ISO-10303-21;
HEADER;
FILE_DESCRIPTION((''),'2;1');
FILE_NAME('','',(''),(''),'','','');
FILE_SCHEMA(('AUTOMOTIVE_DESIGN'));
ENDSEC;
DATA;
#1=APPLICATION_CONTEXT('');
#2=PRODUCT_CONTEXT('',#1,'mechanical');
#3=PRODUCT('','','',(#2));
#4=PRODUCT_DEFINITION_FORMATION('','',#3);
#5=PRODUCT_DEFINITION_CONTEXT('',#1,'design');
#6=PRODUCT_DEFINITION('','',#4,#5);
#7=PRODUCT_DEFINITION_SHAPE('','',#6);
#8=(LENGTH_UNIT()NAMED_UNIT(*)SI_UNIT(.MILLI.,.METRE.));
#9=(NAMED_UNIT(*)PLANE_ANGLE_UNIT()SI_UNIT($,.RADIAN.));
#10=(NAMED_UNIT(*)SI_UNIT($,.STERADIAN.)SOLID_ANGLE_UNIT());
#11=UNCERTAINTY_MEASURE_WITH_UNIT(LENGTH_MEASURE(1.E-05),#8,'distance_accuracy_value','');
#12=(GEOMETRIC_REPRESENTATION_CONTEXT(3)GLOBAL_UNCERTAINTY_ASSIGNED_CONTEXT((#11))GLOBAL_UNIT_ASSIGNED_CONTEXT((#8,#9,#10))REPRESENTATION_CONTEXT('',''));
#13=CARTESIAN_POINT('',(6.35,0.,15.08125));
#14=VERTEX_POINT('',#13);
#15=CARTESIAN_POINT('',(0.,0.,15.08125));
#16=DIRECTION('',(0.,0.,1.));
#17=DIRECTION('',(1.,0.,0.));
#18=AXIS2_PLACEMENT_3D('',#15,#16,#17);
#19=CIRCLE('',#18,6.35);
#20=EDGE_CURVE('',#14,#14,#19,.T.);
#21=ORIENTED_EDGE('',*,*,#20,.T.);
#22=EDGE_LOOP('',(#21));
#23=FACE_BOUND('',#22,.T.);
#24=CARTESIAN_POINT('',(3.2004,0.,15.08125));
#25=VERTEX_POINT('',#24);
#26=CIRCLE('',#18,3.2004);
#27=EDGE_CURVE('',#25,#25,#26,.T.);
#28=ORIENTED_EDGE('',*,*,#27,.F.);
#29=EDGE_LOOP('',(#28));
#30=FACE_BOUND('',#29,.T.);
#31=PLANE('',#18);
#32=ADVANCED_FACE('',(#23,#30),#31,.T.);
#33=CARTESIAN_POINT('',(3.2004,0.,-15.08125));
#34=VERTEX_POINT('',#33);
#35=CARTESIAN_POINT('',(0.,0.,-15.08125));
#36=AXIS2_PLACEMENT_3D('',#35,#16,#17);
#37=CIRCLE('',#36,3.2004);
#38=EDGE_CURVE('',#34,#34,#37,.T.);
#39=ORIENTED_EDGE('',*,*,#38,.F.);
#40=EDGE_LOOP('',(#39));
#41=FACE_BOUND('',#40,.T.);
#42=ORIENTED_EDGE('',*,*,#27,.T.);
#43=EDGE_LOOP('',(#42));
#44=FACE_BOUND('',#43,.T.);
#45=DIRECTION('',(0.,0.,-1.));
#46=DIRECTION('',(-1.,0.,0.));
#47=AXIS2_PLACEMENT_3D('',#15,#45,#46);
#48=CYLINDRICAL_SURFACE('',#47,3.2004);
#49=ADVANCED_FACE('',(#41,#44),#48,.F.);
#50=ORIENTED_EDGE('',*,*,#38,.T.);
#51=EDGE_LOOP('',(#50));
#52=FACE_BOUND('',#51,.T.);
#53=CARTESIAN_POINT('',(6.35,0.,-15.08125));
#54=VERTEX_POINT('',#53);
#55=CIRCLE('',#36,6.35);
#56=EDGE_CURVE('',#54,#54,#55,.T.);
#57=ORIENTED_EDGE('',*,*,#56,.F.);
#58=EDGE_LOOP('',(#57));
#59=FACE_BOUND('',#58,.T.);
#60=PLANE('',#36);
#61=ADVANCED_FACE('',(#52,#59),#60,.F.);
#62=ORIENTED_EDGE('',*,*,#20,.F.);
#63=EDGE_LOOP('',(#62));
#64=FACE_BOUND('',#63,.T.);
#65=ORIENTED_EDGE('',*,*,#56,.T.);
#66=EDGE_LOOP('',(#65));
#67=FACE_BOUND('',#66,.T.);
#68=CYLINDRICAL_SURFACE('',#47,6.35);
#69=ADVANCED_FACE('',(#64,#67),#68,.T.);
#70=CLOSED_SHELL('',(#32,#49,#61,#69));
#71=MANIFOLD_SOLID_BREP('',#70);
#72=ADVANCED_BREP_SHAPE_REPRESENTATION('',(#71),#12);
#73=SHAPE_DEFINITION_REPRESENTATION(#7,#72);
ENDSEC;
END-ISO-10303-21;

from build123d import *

# Parameters (mm, degrees)
SKETCH1_R      = 6.35
SKETCH1_R_2    = 3.2004
EXTRUDE1_DEPTH = 15.08125


with BuildPart() as part:
    # Sketch1 → Extrude1 (new body, symmetric)
    with BuildSketch(Plane.XY):
        Circle(SKETCH1_R)
        Circle(SKETCH1_R_2, mode=Mode.SUBTRACT)
    extrude(amount=EXTRUDE1_DEPTH, both=True)


solid = part.part
